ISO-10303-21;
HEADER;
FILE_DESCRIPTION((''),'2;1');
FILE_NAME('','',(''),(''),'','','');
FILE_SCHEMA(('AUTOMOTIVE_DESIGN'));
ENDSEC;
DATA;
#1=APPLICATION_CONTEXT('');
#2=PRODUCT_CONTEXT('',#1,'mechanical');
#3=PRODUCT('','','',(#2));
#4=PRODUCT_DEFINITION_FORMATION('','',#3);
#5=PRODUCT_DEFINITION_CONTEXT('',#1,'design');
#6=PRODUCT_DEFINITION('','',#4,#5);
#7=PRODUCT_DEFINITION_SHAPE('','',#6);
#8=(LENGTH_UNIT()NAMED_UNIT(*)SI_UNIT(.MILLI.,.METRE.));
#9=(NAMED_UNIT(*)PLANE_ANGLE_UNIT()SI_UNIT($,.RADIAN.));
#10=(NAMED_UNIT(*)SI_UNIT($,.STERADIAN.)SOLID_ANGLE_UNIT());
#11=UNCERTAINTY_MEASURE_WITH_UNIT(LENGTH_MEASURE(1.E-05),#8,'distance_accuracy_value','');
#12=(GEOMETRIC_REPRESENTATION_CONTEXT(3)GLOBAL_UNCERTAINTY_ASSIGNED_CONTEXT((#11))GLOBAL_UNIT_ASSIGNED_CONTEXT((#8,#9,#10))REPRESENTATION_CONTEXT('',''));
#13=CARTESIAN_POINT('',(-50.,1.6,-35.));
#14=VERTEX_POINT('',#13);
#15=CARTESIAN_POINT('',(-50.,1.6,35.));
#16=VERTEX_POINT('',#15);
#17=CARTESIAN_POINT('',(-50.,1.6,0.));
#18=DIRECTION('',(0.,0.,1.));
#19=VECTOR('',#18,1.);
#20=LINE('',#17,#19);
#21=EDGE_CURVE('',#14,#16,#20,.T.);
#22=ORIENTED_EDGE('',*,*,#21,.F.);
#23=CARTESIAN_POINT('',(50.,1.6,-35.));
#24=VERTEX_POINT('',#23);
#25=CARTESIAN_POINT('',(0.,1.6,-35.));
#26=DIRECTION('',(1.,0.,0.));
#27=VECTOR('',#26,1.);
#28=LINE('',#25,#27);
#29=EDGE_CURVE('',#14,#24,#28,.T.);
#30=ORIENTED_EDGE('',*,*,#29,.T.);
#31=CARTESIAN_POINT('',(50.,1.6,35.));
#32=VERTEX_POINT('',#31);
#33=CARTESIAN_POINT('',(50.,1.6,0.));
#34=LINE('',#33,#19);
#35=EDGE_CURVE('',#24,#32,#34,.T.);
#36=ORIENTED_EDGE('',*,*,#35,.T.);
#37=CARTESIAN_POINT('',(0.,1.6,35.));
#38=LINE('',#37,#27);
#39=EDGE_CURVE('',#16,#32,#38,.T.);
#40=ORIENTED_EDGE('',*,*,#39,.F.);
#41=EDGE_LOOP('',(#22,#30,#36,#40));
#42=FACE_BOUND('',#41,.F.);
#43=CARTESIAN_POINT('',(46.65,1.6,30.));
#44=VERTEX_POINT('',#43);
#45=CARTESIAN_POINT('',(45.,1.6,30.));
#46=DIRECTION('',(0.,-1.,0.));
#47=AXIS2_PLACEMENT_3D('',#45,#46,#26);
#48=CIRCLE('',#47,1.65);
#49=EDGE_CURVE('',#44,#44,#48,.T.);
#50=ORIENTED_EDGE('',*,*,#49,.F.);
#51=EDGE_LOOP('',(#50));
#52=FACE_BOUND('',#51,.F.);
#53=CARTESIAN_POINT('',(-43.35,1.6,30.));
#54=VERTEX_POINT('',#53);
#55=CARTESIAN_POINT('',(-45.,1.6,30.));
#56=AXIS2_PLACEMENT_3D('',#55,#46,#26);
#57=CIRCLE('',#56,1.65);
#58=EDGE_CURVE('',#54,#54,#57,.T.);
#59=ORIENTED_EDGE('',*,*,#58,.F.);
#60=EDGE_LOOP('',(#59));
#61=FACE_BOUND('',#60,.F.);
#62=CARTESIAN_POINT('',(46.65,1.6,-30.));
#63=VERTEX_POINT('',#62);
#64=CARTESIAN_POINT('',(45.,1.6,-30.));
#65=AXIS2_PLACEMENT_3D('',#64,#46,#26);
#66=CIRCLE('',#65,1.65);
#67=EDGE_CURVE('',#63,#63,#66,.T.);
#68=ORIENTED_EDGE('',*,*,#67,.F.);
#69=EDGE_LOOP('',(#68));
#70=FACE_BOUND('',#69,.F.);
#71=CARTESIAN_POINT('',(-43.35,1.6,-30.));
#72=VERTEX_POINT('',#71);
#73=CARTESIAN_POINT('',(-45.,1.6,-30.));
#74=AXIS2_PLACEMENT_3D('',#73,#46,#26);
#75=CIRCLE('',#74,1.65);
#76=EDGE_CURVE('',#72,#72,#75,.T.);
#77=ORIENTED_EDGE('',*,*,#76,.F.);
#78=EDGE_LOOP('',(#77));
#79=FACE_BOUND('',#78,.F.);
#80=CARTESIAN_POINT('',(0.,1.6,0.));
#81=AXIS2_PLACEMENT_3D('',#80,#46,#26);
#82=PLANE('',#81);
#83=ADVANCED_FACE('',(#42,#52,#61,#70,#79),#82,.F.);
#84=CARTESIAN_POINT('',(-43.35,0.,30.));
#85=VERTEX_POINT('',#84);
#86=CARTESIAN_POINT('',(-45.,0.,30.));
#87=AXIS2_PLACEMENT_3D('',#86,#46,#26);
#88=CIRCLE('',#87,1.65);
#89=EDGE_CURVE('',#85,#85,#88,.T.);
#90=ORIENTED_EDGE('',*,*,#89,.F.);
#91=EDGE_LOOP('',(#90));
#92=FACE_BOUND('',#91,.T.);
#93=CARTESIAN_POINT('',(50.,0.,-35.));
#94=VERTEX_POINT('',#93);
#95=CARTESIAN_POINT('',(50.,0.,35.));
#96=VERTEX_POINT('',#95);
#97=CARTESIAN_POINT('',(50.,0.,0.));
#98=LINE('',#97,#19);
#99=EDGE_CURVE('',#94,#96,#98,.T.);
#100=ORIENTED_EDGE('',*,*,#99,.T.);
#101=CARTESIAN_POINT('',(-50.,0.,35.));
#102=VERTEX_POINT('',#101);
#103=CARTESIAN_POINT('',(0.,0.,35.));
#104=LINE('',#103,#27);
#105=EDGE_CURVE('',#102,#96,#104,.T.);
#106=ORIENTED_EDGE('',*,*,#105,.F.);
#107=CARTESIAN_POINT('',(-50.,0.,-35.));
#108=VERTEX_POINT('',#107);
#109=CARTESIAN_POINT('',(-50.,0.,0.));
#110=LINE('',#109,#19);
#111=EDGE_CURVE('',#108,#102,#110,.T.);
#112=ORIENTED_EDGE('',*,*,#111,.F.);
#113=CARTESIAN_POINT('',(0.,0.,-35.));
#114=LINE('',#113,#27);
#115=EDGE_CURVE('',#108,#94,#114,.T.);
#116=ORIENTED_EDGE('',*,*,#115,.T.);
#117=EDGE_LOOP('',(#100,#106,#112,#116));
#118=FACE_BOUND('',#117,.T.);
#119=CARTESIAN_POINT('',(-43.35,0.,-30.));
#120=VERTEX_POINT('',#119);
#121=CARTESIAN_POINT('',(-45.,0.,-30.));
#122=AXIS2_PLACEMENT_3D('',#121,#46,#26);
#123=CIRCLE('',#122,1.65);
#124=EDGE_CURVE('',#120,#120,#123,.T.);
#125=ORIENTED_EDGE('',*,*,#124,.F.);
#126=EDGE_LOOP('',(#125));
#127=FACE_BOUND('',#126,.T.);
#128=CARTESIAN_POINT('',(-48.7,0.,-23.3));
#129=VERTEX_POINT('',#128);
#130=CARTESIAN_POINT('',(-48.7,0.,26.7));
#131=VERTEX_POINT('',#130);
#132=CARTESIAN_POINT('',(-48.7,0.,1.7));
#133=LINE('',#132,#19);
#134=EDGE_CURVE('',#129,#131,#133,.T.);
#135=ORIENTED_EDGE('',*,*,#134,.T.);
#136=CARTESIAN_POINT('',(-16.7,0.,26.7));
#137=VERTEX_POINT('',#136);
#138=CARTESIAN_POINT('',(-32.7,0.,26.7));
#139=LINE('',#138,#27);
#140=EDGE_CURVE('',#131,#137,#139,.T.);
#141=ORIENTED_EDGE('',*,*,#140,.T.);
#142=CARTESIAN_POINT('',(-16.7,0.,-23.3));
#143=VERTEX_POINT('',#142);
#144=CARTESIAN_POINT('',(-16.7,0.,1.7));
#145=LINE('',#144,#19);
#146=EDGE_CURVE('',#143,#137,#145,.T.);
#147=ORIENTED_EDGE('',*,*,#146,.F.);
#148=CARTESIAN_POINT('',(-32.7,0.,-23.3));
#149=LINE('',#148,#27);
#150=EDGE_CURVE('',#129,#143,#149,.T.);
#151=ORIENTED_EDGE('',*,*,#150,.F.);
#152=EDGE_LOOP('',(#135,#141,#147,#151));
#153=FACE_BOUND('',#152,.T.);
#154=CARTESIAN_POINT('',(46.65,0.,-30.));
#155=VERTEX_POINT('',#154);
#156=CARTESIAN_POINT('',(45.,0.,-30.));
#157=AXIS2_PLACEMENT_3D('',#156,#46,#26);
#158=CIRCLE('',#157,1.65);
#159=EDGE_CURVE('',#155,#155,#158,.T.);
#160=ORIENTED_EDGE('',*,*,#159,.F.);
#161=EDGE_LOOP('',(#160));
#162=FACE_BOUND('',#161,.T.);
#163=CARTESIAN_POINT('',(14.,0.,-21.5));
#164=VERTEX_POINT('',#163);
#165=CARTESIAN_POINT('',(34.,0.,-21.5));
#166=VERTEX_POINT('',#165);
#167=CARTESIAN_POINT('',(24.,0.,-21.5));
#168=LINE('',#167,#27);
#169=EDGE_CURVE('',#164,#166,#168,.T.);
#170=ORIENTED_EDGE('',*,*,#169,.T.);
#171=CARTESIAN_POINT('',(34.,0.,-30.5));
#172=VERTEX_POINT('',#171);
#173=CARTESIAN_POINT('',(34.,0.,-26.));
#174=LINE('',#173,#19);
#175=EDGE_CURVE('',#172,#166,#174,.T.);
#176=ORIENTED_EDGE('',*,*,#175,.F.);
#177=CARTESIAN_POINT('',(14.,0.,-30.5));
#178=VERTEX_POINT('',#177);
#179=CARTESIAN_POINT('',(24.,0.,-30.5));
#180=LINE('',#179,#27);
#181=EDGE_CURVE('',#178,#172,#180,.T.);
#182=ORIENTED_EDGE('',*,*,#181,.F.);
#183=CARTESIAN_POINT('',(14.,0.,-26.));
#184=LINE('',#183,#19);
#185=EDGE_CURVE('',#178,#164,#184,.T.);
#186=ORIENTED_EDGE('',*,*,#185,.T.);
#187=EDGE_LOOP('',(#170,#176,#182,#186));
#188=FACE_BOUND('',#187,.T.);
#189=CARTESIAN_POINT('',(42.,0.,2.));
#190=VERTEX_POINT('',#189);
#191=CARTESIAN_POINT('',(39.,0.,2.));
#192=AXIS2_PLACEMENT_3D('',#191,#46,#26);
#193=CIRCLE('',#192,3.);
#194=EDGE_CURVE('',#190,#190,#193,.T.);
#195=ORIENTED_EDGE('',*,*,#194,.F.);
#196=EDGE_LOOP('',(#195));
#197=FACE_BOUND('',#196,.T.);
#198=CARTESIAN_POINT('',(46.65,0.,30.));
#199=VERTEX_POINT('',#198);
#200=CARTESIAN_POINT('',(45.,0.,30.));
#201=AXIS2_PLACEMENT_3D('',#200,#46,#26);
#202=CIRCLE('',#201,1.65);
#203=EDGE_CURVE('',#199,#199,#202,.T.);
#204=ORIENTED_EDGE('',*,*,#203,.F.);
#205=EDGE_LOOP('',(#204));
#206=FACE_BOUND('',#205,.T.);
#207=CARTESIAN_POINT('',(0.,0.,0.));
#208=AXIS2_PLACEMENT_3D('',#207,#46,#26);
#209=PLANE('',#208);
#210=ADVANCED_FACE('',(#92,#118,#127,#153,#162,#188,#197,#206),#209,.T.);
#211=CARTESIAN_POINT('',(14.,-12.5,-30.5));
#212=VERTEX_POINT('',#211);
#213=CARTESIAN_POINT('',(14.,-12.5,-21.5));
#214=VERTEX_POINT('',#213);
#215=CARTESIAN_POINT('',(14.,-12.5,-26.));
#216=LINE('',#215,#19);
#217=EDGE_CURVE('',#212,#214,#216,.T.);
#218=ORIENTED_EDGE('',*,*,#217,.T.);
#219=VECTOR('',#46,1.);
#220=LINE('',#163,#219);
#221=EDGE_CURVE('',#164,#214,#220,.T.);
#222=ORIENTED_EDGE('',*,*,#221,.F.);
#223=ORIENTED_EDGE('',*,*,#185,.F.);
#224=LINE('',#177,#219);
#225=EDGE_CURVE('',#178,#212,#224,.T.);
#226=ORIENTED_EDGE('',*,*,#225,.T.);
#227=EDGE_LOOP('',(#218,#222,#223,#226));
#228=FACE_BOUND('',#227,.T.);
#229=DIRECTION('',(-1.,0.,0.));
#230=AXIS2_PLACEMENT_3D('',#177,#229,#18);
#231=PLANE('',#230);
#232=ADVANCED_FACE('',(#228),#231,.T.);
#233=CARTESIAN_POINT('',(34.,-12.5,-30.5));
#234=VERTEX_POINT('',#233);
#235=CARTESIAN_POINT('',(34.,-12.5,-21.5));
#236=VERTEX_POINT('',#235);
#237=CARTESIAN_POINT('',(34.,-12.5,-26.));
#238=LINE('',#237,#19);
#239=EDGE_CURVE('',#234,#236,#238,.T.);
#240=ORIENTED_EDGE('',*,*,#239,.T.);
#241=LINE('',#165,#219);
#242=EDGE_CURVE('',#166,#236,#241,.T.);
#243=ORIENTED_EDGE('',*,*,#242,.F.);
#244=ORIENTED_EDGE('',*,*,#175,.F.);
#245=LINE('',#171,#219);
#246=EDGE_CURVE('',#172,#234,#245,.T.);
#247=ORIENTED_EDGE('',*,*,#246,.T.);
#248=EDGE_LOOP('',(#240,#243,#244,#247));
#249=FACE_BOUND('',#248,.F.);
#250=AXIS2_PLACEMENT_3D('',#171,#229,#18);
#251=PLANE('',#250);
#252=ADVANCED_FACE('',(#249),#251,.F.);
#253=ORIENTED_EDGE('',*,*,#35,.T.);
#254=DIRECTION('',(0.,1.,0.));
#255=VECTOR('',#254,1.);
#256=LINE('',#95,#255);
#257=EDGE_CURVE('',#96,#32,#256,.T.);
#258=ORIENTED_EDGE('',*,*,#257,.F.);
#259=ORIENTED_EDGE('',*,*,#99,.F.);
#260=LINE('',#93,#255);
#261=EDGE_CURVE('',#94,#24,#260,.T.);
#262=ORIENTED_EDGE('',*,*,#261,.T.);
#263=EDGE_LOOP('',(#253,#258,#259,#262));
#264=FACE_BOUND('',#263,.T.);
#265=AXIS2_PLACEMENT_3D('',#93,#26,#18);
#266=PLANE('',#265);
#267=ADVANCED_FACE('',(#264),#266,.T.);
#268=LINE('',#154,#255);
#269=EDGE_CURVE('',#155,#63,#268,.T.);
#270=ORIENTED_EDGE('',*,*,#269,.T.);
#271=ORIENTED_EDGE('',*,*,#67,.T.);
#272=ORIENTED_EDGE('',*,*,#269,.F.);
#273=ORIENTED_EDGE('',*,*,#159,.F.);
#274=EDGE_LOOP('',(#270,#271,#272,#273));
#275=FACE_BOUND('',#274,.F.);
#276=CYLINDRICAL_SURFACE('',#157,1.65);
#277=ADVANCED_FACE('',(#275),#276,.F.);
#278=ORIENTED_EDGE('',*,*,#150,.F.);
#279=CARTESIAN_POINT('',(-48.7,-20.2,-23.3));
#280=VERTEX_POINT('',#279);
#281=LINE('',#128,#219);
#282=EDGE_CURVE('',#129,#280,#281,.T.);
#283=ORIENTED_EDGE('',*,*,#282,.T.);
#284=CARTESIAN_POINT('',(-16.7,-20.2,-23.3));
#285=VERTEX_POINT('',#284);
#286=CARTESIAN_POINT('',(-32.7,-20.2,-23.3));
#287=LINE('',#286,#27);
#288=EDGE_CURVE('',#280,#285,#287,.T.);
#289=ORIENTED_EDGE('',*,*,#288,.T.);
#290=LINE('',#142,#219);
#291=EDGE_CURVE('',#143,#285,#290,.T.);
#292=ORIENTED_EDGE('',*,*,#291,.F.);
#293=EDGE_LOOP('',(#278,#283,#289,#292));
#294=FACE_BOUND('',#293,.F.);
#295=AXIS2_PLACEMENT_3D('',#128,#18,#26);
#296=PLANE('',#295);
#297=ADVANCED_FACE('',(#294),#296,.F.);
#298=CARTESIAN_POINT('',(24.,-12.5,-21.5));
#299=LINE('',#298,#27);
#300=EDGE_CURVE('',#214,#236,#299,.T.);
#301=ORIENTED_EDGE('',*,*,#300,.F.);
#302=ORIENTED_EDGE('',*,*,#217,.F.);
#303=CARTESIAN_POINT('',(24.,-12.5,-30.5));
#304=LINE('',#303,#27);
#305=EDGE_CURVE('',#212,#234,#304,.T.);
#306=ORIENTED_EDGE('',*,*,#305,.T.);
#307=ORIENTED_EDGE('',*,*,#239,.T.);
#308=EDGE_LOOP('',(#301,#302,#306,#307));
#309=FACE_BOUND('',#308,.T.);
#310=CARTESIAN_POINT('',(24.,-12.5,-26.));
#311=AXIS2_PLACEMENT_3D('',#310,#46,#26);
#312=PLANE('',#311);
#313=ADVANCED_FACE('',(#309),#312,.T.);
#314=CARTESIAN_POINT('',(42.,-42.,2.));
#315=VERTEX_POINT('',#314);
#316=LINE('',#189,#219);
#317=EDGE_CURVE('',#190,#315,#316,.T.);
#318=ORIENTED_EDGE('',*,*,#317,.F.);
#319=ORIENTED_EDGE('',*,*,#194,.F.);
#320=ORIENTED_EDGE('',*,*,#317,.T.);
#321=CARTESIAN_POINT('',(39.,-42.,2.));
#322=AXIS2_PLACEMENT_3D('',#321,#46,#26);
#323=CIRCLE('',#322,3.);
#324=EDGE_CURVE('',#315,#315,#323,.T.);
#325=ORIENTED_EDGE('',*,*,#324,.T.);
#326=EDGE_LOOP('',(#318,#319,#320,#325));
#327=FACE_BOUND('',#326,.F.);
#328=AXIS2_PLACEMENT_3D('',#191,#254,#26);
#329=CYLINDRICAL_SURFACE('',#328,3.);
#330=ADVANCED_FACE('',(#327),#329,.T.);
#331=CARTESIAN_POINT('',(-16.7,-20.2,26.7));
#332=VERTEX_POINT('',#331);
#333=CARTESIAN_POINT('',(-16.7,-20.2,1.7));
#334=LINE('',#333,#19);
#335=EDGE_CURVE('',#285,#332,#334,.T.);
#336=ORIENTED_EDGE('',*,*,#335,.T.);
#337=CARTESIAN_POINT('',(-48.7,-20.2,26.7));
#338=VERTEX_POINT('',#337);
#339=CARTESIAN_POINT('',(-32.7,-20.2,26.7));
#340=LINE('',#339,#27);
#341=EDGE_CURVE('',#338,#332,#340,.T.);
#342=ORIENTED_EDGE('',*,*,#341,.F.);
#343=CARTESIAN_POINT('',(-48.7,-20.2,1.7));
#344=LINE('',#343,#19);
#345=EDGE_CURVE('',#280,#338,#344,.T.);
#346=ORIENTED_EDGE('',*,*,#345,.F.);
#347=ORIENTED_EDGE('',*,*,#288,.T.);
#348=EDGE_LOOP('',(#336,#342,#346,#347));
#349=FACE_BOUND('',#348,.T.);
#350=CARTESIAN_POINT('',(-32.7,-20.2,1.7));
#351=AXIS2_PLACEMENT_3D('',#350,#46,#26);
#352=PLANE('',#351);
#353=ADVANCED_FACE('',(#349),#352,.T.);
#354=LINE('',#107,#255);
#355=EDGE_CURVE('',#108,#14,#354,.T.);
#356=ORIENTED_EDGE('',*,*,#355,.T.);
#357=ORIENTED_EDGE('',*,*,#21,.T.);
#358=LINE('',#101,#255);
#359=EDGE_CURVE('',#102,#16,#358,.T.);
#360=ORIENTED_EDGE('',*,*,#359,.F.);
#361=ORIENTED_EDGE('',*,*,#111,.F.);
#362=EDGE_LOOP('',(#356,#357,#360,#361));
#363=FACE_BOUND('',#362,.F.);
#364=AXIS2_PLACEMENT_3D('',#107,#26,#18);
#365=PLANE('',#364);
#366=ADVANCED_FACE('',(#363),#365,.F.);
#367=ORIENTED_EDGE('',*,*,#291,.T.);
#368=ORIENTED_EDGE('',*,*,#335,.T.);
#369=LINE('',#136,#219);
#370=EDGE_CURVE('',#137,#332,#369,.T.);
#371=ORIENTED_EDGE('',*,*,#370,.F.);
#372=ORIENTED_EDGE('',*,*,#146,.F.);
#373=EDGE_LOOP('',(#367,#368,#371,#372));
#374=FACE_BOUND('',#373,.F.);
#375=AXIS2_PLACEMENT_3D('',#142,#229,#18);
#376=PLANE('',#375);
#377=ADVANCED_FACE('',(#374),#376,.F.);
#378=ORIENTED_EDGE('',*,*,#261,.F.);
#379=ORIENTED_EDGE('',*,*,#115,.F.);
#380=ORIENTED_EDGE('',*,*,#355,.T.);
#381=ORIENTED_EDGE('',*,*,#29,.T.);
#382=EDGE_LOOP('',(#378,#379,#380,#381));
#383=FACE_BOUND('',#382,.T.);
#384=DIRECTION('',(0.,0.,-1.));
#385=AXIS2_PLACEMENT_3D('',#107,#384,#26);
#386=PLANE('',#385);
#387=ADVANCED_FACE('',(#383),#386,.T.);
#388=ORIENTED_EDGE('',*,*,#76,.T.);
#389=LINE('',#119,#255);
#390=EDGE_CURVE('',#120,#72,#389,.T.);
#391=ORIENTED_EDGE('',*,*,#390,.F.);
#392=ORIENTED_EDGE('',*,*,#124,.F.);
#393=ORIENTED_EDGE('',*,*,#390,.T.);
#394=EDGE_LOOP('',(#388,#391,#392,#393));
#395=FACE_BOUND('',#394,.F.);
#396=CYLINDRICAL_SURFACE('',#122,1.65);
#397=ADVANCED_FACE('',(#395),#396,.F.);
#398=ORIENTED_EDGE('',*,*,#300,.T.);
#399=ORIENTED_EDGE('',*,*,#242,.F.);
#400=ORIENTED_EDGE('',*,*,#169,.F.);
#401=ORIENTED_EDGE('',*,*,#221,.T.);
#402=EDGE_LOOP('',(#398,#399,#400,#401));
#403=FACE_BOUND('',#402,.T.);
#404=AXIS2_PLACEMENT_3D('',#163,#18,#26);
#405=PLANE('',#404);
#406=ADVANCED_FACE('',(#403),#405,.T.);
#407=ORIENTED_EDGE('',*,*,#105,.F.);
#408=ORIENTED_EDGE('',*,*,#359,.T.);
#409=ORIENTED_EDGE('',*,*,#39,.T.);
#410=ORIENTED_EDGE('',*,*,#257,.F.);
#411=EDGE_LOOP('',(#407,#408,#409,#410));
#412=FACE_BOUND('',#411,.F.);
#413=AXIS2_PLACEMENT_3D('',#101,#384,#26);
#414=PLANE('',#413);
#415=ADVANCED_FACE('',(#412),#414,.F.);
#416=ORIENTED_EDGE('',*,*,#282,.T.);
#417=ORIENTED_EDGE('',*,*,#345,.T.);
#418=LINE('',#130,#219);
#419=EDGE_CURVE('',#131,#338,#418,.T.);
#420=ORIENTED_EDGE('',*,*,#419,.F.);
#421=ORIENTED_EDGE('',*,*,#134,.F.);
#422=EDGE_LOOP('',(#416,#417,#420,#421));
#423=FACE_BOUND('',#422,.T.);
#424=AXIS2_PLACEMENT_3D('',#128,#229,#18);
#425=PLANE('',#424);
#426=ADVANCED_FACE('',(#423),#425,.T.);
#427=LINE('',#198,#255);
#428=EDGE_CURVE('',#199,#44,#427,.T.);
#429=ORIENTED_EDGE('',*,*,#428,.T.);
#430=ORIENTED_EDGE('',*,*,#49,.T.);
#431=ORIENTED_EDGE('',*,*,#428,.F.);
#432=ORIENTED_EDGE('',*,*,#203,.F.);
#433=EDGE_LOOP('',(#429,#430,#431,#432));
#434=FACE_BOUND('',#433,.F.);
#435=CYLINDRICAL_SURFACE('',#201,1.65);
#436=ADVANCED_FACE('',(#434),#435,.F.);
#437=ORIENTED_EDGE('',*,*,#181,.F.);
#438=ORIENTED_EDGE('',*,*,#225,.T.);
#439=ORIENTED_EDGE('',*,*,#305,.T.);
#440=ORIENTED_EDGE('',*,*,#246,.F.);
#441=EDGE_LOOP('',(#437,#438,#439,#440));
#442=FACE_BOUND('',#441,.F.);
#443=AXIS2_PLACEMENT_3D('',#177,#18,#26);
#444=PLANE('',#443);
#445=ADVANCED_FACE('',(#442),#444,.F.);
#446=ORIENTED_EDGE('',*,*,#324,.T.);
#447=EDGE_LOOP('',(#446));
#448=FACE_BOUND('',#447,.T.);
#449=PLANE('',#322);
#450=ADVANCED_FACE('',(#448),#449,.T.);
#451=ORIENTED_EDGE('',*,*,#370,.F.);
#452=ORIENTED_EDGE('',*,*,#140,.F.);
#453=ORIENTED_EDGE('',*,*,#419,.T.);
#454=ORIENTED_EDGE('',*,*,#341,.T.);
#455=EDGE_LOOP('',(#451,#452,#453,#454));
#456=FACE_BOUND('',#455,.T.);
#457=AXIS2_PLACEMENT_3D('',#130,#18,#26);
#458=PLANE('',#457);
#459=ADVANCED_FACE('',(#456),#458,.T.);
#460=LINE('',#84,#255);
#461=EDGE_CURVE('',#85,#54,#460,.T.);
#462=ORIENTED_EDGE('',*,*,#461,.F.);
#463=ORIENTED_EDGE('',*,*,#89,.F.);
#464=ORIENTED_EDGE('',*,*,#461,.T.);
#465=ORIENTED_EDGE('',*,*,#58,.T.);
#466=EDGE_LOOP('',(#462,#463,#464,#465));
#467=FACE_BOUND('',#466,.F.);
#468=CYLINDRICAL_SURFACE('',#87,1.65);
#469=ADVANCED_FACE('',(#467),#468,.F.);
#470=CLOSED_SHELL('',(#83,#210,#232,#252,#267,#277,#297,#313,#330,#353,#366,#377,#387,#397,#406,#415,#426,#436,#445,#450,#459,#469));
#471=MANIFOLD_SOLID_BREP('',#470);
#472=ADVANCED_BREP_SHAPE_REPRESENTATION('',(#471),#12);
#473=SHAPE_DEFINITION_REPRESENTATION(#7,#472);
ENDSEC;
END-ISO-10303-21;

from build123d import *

# Parameters (mm, degrees)
F0_W     = 100
F0_H     = 70
F0_R     = 1.65
F0_W_2   = 20
F0_H_2   = 9
F0_W_3   = 32
F0_H_3   = 50
F0_R_2   = 3
F1_DEPTH = 1.6
F2_DEPTH = 20.2
F3_DEPTH = 12.5
F4_DEPTH = 42


with BuildPart() as f1:
    # F0 (on Front) → F1 (new body)
    with BuildSketch(Plane.XZ):
        Rectangle(F0_W, F0_H)
        with Locations((-45, -30)):
            Circle(F0_R, mode=Mode.SUBTRACT)
        with Locations((24, -26)):
            Rectangle(F0_W_2, F0_H_2, mode=Mode.SUBTRACT)
        with Locations((45, -30)):
            Circle(F0_R, mode=Mode.SUBTRACT)
        with Locations((-32.7, 1.7)):
            Rectangle(F0_W_3, F0_H_3, mode=Mode.SUBTRACT)
        with Locations((-45, 30)):
            Circle(F0_R, mode=Mode.SUBTRACT)
        with Locations((39, 2)):
            Circle(F0_R_2, mode=Mode.SUBTRACT)
        with Locations((45, 30)):
            Circle(F0_R, mode=Mode.SUBTRACT)
        with Locations((-32.7, 1.7)):
            Rectangle(F0_W_3, F0_H_3)
        with Locations((24, -26)):
            Rectangle(F0_W_2, F0_H_2)
        with Locations((39, 2)):
            Circle(F0_R_2)
    extrude(amount=-F1_DEPTH)

    # F0 (on Front) → F2 (join)
    with BuildSketch(Plane.XZ):
        with Locations((-32.7, 1.7)):
            Rectangle(F0_W_3, F0_H_3)
    extrude(amount=F2_DEPTH)

    # F0 (on Front) → F3 (join)
    with BuildSketch(Plane.XZ):
        with Locations((24, -26)):
            Rectangle(F0_W_2, F0_H_2)
    extrude(amount=F3_DEPTH)

    # F0 (on Front) → F4 (join)
    with BuildSketch(Plane.XZ):
        with Locations((39, 2)):
            Circle(F0_R_2)
    extrude(amount=F4_DEPTH)


solid = f1.part
